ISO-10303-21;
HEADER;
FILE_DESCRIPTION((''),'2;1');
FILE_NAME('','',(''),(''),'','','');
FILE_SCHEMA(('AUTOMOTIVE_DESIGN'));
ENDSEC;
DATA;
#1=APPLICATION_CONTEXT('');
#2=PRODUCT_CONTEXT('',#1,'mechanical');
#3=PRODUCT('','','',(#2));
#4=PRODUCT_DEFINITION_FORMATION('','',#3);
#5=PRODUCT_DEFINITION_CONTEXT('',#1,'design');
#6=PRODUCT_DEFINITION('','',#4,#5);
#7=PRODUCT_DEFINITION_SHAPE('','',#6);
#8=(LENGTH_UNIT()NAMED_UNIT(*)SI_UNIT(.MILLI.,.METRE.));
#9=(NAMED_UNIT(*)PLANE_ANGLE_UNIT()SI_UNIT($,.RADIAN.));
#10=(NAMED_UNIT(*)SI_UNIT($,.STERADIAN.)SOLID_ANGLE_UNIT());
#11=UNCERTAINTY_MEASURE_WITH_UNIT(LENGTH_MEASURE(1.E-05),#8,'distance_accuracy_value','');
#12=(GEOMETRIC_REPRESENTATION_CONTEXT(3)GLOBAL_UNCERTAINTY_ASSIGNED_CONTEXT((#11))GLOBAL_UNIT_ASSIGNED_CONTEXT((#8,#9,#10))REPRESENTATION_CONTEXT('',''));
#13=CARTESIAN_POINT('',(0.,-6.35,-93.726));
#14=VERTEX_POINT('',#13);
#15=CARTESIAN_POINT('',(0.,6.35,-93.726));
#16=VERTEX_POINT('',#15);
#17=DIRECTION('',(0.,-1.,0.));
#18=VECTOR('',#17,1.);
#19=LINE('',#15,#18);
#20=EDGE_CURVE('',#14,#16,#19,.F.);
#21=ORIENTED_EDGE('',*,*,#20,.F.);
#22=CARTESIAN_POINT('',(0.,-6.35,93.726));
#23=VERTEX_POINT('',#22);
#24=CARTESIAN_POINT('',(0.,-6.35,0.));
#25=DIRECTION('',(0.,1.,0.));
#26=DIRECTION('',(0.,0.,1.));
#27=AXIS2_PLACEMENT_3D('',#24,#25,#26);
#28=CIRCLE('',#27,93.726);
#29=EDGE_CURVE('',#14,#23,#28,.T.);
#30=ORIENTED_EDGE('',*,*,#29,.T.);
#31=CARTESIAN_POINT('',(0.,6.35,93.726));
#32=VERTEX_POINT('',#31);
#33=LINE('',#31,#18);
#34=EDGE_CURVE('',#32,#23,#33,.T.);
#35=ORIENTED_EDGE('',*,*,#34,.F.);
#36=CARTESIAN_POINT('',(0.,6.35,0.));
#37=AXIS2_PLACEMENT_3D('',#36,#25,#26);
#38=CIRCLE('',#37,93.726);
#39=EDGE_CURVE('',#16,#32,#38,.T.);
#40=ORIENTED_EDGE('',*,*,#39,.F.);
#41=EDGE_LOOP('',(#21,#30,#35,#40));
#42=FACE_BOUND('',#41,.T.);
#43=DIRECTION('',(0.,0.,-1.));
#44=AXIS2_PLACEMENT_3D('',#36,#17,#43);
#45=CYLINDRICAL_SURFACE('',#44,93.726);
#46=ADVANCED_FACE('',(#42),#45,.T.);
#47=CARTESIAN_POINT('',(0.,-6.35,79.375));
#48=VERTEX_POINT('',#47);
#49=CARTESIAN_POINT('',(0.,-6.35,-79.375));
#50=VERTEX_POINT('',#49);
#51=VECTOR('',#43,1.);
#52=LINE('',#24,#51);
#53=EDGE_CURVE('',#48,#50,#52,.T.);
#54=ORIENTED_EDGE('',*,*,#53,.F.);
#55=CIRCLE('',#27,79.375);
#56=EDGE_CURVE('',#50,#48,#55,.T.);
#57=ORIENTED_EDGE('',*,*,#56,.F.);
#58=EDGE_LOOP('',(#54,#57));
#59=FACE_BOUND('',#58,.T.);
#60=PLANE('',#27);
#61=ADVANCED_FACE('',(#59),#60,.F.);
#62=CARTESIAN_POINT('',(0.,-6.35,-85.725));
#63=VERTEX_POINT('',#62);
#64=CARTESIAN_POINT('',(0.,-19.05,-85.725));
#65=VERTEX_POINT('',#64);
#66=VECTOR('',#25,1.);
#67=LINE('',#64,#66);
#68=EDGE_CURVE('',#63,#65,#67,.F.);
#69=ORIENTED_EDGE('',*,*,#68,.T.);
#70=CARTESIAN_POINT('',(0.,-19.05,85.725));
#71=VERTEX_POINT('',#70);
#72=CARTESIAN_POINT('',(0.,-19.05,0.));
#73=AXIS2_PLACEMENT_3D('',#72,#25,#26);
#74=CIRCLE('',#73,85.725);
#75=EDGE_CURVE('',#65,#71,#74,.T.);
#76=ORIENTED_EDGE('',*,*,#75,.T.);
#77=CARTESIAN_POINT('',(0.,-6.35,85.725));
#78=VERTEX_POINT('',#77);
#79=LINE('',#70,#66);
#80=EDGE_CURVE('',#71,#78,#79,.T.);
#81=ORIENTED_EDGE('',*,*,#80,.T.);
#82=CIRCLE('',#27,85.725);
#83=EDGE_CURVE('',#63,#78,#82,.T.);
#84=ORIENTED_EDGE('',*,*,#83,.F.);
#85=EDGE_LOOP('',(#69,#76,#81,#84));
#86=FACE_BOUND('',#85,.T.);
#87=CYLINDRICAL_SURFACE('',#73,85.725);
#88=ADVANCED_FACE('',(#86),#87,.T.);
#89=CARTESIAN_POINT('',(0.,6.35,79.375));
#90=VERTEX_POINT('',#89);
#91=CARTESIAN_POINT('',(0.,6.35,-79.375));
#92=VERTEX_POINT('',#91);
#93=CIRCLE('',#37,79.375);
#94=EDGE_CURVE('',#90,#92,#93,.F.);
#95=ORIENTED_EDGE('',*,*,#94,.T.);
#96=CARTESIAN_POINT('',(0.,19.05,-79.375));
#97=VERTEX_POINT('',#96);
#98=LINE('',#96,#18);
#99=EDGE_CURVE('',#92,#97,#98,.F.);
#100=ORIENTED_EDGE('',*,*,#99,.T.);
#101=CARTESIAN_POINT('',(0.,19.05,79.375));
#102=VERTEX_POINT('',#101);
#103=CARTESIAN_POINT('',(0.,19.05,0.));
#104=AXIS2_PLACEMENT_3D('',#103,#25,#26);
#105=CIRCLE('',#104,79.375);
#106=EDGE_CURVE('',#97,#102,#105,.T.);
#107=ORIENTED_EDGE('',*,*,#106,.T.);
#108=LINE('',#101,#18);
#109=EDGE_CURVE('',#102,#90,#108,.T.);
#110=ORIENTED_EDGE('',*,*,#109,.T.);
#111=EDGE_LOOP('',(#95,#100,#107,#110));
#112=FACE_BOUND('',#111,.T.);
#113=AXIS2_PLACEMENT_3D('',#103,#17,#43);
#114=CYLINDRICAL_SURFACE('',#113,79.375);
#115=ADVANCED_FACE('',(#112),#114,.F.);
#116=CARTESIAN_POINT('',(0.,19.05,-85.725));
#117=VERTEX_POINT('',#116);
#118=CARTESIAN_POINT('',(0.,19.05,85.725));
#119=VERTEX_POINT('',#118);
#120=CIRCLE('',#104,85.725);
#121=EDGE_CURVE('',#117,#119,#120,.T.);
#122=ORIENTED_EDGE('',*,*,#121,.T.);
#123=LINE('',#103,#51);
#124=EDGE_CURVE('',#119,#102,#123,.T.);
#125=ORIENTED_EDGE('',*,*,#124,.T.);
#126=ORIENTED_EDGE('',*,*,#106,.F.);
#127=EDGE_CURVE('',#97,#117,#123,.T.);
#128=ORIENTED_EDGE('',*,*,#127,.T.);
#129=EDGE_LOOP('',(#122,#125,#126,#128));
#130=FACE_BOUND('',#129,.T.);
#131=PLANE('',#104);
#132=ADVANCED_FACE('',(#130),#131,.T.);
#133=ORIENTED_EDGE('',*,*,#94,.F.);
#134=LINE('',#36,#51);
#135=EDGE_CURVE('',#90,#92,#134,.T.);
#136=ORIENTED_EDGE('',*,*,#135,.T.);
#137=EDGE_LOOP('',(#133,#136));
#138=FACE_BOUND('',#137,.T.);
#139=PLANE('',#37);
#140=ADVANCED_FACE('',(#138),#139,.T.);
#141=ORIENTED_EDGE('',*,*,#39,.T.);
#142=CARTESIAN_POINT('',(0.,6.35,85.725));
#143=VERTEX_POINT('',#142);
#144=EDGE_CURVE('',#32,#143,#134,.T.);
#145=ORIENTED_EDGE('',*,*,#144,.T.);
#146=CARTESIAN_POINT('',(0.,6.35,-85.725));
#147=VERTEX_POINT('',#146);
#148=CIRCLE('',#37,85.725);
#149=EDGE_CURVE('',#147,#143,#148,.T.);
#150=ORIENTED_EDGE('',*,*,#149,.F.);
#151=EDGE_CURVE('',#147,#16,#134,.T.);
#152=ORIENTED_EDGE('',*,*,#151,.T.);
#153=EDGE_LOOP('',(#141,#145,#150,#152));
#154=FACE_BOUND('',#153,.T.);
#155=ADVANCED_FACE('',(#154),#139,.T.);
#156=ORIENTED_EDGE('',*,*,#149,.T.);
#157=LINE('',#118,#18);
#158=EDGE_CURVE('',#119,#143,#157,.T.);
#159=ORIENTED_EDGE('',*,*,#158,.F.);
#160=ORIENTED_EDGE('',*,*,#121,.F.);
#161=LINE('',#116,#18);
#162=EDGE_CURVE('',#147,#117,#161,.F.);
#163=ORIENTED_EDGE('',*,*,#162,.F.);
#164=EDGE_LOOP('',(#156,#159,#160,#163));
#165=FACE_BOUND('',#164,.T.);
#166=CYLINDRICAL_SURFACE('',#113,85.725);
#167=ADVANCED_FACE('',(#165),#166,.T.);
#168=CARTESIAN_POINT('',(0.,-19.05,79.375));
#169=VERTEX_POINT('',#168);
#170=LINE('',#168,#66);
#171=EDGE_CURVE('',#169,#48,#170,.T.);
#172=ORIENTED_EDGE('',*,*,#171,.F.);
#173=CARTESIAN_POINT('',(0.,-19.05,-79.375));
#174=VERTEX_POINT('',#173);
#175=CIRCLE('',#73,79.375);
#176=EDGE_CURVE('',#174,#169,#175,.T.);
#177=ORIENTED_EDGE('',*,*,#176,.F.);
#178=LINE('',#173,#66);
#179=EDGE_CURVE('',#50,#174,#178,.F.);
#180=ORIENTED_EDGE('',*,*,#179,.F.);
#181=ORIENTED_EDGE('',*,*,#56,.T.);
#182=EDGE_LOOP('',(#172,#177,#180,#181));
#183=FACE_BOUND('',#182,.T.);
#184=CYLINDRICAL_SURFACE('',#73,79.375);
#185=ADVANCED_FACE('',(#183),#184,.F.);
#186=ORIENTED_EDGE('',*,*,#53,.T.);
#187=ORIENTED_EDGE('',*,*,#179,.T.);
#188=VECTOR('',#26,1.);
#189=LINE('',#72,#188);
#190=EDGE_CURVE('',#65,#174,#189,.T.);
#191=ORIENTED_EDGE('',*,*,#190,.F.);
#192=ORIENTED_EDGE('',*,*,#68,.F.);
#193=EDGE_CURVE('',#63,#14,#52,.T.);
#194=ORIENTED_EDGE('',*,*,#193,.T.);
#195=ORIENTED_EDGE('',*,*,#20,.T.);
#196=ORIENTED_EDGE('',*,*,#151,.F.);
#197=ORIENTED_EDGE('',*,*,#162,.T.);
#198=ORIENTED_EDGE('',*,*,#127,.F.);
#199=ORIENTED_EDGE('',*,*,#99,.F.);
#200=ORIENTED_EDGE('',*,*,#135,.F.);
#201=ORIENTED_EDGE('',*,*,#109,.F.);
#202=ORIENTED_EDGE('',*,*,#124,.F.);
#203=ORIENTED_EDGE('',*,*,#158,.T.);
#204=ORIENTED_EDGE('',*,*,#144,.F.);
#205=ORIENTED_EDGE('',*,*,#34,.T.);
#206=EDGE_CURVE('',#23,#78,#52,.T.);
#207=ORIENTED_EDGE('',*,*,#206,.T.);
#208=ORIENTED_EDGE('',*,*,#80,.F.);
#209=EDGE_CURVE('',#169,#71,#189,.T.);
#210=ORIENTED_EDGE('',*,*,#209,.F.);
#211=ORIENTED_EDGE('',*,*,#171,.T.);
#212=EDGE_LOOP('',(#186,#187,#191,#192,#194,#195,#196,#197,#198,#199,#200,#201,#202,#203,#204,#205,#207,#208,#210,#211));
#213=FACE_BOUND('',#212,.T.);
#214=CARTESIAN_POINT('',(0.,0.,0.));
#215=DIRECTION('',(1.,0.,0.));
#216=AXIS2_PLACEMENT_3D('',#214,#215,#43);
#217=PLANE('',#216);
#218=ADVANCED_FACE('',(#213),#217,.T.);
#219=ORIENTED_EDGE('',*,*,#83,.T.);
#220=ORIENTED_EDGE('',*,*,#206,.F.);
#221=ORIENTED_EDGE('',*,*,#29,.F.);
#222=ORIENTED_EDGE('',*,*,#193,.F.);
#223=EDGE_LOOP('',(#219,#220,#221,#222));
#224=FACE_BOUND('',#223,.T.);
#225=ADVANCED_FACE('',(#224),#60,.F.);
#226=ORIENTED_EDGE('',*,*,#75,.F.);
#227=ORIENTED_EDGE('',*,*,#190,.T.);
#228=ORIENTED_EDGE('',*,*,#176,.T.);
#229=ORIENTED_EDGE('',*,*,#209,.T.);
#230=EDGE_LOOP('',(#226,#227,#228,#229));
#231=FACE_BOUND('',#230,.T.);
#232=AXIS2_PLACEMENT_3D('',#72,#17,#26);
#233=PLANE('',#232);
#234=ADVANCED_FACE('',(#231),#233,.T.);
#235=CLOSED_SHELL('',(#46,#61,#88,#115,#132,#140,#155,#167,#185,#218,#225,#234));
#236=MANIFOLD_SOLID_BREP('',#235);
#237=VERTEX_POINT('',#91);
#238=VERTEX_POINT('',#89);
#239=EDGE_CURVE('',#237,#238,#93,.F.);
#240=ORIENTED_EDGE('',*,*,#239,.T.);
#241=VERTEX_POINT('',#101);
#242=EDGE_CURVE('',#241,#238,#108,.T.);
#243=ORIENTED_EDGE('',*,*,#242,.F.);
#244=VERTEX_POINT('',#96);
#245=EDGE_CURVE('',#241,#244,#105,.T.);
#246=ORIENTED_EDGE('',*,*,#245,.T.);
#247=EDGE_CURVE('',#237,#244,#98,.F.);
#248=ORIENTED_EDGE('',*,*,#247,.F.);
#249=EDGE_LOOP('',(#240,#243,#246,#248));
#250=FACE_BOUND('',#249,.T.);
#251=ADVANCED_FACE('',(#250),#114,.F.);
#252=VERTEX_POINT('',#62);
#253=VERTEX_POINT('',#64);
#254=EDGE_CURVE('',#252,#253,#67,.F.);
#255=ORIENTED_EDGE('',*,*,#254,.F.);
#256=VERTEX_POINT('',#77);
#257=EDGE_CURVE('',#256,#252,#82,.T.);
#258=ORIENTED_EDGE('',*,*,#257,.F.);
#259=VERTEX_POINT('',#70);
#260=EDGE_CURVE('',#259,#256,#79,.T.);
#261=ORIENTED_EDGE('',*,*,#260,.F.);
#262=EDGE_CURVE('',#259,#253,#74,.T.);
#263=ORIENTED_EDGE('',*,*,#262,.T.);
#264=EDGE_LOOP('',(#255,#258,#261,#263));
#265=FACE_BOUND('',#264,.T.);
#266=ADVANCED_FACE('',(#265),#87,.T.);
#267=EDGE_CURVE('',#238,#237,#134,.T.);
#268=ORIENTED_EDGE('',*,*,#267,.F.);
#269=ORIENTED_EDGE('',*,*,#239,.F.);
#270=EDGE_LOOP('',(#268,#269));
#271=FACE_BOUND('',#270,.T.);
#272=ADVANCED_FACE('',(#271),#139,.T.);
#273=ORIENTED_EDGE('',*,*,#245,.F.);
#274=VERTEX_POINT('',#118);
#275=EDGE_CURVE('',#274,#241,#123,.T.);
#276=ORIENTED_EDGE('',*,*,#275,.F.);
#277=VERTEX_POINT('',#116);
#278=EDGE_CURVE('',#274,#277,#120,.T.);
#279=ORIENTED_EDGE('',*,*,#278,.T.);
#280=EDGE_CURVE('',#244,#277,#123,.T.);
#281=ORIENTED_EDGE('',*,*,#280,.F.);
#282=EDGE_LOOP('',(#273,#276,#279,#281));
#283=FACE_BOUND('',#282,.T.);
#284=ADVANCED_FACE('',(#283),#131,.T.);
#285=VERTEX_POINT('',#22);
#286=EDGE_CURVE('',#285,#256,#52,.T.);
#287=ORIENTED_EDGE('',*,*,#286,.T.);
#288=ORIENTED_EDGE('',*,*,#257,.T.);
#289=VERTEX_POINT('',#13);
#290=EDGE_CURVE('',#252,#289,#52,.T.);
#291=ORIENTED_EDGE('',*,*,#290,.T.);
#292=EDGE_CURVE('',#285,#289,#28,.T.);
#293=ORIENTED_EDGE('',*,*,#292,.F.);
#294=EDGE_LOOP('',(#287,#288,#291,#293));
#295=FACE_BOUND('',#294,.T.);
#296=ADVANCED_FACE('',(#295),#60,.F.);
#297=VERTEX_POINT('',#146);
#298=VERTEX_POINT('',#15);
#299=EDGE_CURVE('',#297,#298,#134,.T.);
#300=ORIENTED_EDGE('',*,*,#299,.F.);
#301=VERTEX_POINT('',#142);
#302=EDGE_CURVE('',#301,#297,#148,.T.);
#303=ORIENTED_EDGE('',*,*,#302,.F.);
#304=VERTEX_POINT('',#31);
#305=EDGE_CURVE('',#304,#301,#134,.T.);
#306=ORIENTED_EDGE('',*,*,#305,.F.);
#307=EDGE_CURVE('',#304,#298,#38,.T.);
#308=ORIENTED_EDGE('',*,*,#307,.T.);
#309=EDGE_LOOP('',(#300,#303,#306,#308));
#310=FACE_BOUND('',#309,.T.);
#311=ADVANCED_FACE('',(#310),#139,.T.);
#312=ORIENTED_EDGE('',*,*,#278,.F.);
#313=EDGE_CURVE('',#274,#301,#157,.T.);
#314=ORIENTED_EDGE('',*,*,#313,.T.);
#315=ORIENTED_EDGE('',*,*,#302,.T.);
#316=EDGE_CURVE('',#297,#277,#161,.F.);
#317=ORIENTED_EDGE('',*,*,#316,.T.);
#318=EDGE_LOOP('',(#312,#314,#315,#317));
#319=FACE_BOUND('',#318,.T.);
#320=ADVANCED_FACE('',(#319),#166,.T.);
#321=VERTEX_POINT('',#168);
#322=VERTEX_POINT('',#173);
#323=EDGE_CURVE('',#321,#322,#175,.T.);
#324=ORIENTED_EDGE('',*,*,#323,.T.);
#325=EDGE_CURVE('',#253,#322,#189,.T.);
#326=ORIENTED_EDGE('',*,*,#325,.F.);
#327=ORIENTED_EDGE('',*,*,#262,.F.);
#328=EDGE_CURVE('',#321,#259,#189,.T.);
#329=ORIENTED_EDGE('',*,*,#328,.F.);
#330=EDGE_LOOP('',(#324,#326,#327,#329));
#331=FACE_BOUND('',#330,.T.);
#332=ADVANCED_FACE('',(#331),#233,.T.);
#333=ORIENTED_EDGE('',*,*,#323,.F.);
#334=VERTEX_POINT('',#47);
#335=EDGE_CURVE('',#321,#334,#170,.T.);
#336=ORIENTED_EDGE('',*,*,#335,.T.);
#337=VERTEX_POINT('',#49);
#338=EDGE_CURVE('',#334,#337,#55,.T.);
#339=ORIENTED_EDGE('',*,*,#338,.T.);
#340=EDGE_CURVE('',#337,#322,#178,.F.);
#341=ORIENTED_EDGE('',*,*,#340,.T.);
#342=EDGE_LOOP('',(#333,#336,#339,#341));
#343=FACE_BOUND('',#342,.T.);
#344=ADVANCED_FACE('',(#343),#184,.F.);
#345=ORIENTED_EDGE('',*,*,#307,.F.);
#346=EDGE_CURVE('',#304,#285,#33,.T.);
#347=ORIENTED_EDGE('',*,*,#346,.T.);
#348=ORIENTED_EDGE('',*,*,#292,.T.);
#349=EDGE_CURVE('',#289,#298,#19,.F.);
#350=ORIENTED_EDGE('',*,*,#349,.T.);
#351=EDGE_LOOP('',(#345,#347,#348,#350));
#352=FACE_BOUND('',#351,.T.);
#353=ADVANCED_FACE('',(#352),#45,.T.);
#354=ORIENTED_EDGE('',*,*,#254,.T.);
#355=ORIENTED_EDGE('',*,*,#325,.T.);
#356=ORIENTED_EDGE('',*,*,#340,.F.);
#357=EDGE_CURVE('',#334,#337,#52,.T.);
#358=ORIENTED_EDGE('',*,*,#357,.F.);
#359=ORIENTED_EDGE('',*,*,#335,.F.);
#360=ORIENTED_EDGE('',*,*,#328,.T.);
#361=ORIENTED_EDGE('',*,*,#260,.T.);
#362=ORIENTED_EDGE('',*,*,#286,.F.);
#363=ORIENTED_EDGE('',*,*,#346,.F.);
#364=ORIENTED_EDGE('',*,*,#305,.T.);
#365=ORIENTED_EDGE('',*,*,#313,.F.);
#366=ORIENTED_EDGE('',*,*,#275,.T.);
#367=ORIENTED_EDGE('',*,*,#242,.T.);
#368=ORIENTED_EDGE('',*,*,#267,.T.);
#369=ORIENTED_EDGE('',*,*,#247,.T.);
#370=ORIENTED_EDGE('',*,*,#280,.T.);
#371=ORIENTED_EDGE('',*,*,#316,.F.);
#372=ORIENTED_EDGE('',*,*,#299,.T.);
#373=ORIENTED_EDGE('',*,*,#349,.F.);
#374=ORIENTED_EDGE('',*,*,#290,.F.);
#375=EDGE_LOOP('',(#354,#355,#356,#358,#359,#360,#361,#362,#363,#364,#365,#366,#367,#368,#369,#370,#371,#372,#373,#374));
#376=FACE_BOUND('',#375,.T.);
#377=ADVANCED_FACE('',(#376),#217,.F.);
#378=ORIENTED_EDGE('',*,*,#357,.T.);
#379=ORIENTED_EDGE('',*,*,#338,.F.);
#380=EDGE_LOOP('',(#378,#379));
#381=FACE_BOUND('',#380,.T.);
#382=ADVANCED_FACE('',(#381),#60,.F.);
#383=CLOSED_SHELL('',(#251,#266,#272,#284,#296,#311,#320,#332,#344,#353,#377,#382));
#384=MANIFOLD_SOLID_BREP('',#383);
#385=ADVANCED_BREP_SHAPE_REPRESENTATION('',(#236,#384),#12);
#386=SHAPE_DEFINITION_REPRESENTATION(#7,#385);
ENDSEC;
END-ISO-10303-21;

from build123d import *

# Parameters (mm, degrees)
SKETCH1_R            = 93.726
BOSS_EXTRUDE1_DEPTH  = 6.35
SKETCH5_R            = 85.725
SKETCH5_R_2          = 79.375
BOSS_EXTRUDE2_DEPTH  = 12.7
BOSS_EXTRUDE3_DEPTH  = 25.4
MIRROR5_COPY_1_DEPTH = 25.4
MIRROR5_COPY_2_DEPTH = 25.4


with BuildPart() as part:
    # Sketch1 → Boss-Extrude1 (new, symmetric)
    with BuildSketch(Plane(origin=(0, 0, 0), x_dir=(1, 0, 0), z_dir=(0, 1, 0))):
        with Locations(Location((0, 0, 0), (0, 0, 270))):
            Circle(SKETCH1_R)
    extrude(amount=BOSS_EXTRUDE1_DEPTH, both=True)

    # Sketch5 → Boss-Extrude2 (add)
    with BuildSketch(Plane(origin=(0, 6.35, 0), x_dir=(1, 0, 0), z_dir=(0, 1, 0))):
        with Locations(Location((0, 0, 0), (0, 0, 270))):
            Circle(SKETCH5_R)
        with Locations(Location((0, 0, 0), (0, 0, 270))):
            Circle(SKETCH5_R_2, mode=Mode.SUBTRACT)
    boss_extrude2 = extrude(amount=BOSS_EXTRUDE2_DEPTH)

    # Mirror1: Boss-Extrude2 across plane
    add(boss_extrude2.mirror(Plane.ZX))

    # Sketch7 → Boss-Extrude3 (add)
    with BuildSketch(Plane(origin=(0, 19.05, 0), x_dir=(1, 0, 0), z_dir=(0, 1, 0))):
        with BuildLine():
            Line((-25.787822327, 75.06916041), (-28.166257291, 80.965656764))
            ThreePointArc((-28.166257291, 80.965656764), (0, 85.725), (28.166257291, 80.965656764))
            Line((28.166257291, 80.965656764), (25.787822327, 75.06916041))
            ThreePointArc((25.787822327, 75.06916041), (0, 79.375), (-25.787822327, 75.06916041))
        make_face()
    boss_extrude3 = extrude(amount=-BOSS_EXTRUDE3_DEPTH)

    # Mirror3: Boss-Extrude3 across plane
    add(boss_extrude3.mirror(Plane.ZX))

    # Mirror4: Boss-Extrude3 across plane
    add(boss_extrude3.mirror(Plane.XY))

    # Mirror5 copy 1 sketch → Mirror5 copy 1 (add)
    with BuildSketch(Plane.XZ.offset(19.05)):
        with BuildLine():
            Line((-25.787822327, 75.06916041), (-28.166257291, 80.965656764))
            ThreePointArc((-28.166257291, 80.965656764), (0, 85.725), (28.166257291, 80.965656764))
            Line((28.166257291, 80.965656764), (25.787822327, 75.06916041))
            ThreePointArc((25.787822327, 75.06916041), (0, 79.375), (-25.787822327, 75.06916041))
        make_face()
    extrude(amount=-MIRROR5_COPY_1_DEPTH)

    # Mirror5 copy 2 sketch → Mirror5 copy 2 (add)
    with BuildSketch(Plane.XZ.offset(19.05)):
        with BuildLine():
            Line((-25.787822327, -75.06916041), (-28.166257291, -80.965656764))
            ThreePointArc((-28.166257291, -80.965656764), (0, -85.725), (28.166257291, -80.965656764))
            Line((28.166257291, -80.965656764), (25.787822327, -75.06916041))
            ThreePointArc((25.787822327, -75.06916041), (0, -79.375), (-25.787822327, -75.06916041))
        make_face()
    extrude(amount=-MIRROR5_COPY_2_DEPTH)


with BuildPart() as body_2:
    # Split1: the piece on the far side of the plane
    add(part.part)
    split(bisect_by=Plane(origin=(0, 0, 0), x_dir=(0, 0, 1), z_dir=(1, 0, 0)), keep=Keep.BOTTOM)


with BuildPart() as part_1:
    add(part.part)

    # Split1
    split(bisect_by=Plane(origin=(0, 0, 0), x_dir=(0, 0, 1), z_dir=(1, 0, 0)), keep=Keep.TOP)


solid = Compound([body_2.part, part_1.part])
